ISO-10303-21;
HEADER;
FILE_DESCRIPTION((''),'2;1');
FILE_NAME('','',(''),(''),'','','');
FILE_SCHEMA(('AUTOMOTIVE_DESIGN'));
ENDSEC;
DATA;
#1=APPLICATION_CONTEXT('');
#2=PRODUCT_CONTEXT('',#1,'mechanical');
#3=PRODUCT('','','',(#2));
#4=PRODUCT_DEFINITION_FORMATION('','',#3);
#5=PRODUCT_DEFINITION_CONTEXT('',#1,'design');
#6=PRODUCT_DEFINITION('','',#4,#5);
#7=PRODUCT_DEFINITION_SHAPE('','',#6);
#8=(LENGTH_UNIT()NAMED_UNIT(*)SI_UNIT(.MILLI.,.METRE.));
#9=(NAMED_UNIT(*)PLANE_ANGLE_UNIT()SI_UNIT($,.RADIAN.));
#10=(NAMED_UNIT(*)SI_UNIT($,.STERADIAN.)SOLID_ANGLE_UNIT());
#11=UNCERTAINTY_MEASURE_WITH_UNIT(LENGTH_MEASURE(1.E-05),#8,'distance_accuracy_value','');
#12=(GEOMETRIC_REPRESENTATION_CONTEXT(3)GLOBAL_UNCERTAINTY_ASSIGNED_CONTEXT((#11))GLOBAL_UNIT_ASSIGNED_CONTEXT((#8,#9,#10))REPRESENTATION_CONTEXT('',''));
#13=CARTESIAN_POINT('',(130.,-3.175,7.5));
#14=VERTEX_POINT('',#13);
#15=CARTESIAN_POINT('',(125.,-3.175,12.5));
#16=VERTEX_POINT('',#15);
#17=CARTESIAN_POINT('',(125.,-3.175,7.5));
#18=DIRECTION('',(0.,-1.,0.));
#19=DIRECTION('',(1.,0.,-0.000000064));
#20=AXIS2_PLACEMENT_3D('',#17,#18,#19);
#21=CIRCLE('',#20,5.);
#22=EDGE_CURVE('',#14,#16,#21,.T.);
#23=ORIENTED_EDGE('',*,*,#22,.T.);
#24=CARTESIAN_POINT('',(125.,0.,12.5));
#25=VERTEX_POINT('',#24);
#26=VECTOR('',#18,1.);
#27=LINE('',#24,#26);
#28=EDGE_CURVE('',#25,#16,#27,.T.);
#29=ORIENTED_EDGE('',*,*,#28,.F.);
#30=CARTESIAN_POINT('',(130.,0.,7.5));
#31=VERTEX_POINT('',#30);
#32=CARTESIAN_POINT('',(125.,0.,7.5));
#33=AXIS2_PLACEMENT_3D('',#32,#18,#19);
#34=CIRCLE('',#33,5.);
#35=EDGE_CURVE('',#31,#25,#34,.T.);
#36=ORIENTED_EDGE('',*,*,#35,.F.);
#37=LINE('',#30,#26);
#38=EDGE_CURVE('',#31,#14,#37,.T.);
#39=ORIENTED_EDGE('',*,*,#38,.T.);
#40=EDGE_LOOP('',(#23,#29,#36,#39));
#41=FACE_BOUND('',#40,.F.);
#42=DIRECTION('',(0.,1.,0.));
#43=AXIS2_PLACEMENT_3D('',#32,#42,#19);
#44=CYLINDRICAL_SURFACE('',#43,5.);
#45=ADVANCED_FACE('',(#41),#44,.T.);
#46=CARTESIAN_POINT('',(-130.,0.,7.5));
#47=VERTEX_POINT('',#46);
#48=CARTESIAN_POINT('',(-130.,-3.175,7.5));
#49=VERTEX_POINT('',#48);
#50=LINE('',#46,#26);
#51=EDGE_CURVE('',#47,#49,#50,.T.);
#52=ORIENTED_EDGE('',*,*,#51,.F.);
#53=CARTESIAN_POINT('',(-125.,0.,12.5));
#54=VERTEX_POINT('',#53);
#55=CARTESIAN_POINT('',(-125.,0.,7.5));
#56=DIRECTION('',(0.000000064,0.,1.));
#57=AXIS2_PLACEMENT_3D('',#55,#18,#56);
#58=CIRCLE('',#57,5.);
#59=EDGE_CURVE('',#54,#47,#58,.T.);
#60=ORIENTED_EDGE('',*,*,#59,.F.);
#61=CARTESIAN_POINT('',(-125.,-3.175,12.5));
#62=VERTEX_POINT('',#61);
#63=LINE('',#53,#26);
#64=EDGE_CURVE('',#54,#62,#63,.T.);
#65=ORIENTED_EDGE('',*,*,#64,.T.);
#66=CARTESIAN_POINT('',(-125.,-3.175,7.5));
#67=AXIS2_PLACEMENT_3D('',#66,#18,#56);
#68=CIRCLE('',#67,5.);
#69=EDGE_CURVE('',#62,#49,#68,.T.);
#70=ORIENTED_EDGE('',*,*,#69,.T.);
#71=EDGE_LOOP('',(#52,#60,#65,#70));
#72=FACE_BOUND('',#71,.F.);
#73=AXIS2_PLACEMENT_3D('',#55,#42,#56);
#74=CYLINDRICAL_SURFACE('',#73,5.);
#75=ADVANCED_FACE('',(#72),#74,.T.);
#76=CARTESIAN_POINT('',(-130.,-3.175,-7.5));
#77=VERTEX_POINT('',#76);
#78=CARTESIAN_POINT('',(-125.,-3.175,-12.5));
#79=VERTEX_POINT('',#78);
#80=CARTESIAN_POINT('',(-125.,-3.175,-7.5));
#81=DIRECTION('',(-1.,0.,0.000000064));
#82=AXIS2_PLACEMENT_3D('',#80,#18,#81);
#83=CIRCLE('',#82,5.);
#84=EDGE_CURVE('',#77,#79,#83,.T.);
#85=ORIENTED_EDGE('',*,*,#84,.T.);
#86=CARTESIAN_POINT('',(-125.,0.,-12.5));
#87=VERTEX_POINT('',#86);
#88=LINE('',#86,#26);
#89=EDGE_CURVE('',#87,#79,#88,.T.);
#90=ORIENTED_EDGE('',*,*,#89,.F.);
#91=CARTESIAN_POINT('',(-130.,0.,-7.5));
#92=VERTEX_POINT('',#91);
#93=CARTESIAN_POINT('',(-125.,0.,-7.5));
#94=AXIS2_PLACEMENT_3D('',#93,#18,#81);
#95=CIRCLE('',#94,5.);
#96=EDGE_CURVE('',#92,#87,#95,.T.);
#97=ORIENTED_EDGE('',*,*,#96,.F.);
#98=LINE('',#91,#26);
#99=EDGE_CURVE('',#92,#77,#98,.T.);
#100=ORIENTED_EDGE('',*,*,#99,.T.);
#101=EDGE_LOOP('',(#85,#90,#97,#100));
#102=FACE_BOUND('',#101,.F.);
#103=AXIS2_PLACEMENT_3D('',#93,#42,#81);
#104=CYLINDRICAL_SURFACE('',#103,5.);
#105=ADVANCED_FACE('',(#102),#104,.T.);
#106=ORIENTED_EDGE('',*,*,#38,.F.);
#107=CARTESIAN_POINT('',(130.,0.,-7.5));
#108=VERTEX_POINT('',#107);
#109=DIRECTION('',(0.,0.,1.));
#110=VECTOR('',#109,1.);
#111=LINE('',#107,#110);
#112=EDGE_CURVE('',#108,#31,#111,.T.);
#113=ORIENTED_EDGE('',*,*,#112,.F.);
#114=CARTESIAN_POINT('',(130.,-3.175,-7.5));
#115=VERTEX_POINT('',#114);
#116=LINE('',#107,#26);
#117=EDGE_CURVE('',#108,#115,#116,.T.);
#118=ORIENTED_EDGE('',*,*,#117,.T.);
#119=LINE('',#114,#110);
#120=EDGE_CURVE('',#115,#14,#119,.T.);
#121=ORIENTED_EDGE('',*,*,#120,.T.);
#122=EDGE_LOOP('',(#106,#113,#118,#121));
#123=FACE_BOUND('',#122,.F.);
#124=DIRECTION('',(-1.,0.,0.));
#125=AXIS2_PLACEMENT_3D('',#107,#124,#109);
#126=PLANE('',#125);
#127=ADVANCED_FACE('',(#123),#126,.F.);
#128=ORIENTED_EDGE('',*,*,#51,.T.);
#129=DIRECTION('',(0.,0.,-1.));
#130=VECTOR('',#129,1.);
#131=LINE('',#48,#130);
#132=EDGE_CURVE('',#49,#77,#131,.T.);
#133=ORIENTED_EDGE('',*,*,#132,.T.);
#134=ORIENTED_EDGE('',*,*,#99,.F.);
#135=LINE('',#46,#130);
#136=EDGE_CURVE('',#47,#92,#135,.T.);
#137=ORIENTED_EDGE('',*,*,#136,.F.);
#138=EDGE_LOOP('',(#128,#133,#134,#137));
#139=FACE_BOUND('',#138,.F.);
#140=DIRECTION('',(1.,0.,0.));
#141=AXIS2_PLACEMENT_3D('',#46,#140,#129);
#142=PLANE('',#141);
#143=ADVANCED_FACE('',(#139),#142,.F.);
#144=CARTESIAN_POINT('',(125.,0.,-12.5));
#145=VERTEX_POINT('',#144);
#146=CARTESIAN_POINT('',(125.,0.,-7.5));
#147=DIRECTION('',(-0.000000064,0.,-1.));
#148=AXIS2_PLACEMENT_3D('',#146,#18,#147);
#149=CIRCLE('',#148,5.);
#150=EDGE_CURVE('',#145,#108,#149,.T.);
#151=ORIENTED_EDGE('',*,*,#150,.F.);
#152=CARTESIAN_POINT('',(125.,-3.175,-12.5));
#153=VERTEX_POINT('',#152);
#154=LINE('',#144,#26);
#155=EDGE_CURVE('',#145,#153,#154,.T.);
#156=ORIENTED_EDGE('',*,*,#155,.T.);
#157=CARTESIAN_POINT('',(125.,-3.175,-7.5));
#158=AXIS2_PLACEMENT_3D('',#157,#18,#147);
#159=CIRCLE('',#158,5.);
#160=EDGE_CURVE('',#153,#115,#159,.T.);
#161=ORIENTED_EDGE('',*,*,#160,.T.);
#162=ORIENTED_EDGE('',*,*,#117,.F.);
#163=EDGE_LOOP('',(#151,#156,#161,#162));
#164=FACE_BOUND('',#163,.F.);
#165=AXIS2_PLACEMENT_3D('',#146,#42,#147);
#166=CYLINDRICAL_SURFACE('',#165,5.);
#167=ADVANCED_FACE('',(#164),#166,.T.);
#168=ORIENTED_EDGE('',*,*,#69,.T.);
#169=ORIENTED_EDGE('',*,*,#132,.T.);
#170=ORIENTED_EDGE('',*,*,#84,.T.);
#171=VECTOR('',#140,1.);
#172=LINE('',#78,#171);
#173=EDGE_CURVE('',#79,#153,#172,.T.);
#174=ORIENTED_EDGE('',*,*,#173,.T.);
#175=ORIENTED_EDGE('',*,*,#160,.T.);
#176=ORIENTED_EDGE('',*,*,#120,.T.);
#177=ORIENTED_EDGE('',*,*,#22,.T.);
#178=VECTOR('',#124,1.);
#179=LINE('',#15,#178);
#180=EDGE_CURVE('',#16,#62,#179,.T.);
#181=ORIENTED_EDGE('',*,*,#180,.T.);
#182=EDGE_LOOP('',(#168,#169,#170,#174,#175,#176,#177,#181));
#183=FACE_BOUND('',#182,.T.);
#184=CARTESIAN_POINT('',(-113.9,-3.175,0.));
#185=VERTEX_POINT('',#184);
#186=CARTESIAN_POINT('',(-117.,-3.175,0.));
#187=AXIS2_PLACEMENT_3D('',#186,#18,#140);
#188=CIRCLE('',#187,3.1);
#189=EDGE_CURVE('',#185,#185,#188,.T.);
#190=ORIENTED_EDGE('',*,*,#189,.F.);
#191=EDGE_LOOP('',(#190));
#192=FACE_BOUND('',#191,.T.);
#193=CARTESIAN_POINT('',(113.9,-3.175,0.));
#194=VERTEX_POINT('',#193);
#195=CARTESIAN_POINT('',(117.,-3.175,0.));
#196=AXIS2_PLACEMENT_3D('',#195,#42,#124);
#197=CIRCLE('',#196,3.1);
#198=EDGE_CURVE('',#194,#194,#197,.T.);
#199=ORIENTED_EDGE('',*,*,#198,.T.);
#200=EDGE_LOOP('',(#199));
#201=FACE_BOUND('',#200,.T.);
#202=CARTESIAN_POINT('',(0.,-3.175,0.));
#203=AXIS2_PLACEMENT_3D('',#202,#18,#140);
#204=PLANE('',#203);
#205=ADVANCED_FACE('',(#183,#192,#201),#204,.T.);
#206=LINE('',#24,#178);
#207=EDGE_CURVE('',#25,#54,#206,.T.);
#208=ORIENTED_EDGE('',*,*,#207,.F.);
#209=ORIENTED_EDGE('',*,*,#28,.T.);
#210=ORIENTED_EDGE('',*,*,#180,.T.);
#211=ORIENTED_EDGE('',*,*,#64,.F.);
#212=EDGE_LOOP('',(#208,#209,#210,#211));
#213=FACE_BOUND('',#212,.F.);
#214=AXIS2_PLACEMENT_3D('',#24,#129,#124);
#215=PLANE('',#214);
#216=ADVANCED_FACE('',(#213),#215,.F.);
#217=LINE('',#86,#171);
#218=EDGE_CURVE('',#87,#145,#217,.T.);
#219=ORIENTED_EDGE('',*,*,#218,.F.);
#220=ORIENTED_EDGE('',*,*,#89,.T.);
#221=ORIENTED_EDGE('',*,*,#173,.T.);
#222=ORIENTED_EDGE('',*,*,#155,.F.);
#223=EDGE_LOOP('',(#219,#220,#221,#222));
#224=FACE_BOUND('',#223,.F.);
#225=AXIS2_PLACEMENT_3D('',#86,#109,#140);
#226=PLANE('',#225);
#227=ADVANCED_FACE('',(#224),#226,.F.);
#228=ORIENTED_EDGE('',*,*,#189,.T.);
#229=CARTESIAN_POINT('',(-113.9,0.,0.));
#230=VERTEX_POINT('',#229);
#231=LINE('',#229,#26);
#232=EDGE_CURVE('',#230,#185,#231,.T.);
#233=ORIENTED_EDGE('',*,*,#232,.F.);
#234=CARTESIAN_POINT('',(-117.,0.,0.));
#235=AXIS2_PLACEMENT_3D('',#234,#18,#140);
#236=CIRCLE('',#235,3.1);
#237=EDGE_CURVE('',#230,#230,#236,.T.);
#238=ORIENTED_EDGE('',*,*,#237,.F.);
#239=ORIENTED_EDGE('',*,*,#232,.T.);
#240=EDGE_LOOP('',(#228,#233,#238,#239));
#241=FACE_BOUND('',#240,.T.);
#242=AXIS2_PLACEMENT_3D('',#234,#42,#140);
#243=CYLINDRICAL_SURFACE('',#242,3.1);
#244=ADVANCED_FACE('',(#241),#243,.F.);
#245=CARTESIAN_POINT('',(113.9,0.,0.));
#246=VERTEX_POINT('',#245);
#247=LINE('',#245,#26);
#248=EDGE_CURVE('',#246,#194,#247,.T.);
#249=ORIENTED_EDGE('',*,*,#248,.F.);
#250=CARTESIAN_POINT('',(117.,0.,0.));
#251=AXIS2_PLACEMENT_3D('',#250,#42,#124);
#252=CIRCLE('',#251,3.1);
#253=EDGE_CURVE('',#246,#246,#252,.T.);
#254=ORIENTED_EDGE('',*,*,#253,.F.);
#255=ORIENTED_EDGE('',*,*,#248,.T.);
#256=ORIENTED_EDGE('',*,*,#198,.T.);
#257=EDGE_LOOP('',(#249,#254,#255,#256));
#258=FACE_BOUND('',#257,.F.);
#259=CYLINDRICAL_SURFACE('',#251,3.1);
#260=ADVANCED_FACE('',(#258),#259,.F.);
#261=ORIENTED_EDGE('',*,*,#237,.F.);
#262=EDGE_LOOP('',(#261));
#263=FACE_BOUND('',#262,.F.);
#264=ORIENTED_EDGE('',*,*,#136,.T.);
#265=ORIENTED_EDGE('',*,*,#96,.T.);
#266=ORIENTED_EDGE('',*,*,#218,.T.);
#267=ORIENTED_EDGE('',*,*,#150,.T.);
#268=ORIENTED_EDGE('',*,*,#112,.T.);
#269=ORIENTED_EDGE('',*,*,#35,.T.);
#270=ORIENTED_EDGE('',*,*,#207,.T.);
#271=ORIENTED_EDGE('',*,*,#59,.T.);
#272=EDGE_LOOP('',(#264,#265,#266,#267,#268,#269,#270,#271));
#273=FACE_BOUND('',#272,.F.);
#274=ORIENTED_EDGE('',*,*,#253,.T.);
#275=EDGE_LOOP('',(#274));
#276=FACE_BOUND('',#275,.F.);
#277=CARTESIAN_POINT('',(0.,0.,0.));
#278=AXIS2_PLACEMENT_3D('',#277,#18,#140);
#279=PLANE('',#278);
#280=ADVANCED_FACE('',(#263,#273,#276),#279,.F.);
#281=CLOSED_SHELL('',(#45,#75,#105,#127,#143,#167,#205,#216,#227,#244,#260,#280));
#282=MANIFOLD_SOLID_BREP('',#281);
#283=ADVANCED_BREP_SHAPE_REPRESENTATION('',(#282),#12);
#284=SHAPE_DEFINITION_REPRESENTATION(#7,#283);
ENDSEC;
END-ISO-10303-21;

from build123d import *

# Parameters (mm, degrees)
F0_R     = 3.1
F1_DEPTH = 3.175


with BuildPart() as f1:
    # F0 (on Front) → F1 (new body)
    with BuildSketch(Plane.XZ):
        with BuildLine():
            Line((125, 12.5), (-125, 12.5))
            ThreePointArc((-125, 12.5), (-128.535534, 11.035534), (-130, 7.5))
            Line((-130, 7.5), (-130, -7.5))
            ThreePointArc((-130, -7.5), (-128.535534, -11.035534), (-125, -12.5))
            Line((-125, -12.5), (125, -12.5))
            ThreePointArc((125, -12.5), (128.535534, -11.035534), (130, -7.5))
            Line((130, -7.5), (130, 7.5))
            ThreePointArc((130, 7.5), (128.535534, 11.035534), (125, 12.5))
        make_face()
        with Locations((-117, 0)):
            Circle(F0_R, mode=Mode.SUBTRACT)
        with BuildLine():
            ThreePointArc((120.1, 0), (117, -3.1), (113.9, 0))
            ThreePointArc((113.9, 0), (117, 3.1), (120.1, 0))
        make_face(mode=Mode.SUBTRACT)
    extrude(amount=F1_DEPTH)


solid = f1.part
